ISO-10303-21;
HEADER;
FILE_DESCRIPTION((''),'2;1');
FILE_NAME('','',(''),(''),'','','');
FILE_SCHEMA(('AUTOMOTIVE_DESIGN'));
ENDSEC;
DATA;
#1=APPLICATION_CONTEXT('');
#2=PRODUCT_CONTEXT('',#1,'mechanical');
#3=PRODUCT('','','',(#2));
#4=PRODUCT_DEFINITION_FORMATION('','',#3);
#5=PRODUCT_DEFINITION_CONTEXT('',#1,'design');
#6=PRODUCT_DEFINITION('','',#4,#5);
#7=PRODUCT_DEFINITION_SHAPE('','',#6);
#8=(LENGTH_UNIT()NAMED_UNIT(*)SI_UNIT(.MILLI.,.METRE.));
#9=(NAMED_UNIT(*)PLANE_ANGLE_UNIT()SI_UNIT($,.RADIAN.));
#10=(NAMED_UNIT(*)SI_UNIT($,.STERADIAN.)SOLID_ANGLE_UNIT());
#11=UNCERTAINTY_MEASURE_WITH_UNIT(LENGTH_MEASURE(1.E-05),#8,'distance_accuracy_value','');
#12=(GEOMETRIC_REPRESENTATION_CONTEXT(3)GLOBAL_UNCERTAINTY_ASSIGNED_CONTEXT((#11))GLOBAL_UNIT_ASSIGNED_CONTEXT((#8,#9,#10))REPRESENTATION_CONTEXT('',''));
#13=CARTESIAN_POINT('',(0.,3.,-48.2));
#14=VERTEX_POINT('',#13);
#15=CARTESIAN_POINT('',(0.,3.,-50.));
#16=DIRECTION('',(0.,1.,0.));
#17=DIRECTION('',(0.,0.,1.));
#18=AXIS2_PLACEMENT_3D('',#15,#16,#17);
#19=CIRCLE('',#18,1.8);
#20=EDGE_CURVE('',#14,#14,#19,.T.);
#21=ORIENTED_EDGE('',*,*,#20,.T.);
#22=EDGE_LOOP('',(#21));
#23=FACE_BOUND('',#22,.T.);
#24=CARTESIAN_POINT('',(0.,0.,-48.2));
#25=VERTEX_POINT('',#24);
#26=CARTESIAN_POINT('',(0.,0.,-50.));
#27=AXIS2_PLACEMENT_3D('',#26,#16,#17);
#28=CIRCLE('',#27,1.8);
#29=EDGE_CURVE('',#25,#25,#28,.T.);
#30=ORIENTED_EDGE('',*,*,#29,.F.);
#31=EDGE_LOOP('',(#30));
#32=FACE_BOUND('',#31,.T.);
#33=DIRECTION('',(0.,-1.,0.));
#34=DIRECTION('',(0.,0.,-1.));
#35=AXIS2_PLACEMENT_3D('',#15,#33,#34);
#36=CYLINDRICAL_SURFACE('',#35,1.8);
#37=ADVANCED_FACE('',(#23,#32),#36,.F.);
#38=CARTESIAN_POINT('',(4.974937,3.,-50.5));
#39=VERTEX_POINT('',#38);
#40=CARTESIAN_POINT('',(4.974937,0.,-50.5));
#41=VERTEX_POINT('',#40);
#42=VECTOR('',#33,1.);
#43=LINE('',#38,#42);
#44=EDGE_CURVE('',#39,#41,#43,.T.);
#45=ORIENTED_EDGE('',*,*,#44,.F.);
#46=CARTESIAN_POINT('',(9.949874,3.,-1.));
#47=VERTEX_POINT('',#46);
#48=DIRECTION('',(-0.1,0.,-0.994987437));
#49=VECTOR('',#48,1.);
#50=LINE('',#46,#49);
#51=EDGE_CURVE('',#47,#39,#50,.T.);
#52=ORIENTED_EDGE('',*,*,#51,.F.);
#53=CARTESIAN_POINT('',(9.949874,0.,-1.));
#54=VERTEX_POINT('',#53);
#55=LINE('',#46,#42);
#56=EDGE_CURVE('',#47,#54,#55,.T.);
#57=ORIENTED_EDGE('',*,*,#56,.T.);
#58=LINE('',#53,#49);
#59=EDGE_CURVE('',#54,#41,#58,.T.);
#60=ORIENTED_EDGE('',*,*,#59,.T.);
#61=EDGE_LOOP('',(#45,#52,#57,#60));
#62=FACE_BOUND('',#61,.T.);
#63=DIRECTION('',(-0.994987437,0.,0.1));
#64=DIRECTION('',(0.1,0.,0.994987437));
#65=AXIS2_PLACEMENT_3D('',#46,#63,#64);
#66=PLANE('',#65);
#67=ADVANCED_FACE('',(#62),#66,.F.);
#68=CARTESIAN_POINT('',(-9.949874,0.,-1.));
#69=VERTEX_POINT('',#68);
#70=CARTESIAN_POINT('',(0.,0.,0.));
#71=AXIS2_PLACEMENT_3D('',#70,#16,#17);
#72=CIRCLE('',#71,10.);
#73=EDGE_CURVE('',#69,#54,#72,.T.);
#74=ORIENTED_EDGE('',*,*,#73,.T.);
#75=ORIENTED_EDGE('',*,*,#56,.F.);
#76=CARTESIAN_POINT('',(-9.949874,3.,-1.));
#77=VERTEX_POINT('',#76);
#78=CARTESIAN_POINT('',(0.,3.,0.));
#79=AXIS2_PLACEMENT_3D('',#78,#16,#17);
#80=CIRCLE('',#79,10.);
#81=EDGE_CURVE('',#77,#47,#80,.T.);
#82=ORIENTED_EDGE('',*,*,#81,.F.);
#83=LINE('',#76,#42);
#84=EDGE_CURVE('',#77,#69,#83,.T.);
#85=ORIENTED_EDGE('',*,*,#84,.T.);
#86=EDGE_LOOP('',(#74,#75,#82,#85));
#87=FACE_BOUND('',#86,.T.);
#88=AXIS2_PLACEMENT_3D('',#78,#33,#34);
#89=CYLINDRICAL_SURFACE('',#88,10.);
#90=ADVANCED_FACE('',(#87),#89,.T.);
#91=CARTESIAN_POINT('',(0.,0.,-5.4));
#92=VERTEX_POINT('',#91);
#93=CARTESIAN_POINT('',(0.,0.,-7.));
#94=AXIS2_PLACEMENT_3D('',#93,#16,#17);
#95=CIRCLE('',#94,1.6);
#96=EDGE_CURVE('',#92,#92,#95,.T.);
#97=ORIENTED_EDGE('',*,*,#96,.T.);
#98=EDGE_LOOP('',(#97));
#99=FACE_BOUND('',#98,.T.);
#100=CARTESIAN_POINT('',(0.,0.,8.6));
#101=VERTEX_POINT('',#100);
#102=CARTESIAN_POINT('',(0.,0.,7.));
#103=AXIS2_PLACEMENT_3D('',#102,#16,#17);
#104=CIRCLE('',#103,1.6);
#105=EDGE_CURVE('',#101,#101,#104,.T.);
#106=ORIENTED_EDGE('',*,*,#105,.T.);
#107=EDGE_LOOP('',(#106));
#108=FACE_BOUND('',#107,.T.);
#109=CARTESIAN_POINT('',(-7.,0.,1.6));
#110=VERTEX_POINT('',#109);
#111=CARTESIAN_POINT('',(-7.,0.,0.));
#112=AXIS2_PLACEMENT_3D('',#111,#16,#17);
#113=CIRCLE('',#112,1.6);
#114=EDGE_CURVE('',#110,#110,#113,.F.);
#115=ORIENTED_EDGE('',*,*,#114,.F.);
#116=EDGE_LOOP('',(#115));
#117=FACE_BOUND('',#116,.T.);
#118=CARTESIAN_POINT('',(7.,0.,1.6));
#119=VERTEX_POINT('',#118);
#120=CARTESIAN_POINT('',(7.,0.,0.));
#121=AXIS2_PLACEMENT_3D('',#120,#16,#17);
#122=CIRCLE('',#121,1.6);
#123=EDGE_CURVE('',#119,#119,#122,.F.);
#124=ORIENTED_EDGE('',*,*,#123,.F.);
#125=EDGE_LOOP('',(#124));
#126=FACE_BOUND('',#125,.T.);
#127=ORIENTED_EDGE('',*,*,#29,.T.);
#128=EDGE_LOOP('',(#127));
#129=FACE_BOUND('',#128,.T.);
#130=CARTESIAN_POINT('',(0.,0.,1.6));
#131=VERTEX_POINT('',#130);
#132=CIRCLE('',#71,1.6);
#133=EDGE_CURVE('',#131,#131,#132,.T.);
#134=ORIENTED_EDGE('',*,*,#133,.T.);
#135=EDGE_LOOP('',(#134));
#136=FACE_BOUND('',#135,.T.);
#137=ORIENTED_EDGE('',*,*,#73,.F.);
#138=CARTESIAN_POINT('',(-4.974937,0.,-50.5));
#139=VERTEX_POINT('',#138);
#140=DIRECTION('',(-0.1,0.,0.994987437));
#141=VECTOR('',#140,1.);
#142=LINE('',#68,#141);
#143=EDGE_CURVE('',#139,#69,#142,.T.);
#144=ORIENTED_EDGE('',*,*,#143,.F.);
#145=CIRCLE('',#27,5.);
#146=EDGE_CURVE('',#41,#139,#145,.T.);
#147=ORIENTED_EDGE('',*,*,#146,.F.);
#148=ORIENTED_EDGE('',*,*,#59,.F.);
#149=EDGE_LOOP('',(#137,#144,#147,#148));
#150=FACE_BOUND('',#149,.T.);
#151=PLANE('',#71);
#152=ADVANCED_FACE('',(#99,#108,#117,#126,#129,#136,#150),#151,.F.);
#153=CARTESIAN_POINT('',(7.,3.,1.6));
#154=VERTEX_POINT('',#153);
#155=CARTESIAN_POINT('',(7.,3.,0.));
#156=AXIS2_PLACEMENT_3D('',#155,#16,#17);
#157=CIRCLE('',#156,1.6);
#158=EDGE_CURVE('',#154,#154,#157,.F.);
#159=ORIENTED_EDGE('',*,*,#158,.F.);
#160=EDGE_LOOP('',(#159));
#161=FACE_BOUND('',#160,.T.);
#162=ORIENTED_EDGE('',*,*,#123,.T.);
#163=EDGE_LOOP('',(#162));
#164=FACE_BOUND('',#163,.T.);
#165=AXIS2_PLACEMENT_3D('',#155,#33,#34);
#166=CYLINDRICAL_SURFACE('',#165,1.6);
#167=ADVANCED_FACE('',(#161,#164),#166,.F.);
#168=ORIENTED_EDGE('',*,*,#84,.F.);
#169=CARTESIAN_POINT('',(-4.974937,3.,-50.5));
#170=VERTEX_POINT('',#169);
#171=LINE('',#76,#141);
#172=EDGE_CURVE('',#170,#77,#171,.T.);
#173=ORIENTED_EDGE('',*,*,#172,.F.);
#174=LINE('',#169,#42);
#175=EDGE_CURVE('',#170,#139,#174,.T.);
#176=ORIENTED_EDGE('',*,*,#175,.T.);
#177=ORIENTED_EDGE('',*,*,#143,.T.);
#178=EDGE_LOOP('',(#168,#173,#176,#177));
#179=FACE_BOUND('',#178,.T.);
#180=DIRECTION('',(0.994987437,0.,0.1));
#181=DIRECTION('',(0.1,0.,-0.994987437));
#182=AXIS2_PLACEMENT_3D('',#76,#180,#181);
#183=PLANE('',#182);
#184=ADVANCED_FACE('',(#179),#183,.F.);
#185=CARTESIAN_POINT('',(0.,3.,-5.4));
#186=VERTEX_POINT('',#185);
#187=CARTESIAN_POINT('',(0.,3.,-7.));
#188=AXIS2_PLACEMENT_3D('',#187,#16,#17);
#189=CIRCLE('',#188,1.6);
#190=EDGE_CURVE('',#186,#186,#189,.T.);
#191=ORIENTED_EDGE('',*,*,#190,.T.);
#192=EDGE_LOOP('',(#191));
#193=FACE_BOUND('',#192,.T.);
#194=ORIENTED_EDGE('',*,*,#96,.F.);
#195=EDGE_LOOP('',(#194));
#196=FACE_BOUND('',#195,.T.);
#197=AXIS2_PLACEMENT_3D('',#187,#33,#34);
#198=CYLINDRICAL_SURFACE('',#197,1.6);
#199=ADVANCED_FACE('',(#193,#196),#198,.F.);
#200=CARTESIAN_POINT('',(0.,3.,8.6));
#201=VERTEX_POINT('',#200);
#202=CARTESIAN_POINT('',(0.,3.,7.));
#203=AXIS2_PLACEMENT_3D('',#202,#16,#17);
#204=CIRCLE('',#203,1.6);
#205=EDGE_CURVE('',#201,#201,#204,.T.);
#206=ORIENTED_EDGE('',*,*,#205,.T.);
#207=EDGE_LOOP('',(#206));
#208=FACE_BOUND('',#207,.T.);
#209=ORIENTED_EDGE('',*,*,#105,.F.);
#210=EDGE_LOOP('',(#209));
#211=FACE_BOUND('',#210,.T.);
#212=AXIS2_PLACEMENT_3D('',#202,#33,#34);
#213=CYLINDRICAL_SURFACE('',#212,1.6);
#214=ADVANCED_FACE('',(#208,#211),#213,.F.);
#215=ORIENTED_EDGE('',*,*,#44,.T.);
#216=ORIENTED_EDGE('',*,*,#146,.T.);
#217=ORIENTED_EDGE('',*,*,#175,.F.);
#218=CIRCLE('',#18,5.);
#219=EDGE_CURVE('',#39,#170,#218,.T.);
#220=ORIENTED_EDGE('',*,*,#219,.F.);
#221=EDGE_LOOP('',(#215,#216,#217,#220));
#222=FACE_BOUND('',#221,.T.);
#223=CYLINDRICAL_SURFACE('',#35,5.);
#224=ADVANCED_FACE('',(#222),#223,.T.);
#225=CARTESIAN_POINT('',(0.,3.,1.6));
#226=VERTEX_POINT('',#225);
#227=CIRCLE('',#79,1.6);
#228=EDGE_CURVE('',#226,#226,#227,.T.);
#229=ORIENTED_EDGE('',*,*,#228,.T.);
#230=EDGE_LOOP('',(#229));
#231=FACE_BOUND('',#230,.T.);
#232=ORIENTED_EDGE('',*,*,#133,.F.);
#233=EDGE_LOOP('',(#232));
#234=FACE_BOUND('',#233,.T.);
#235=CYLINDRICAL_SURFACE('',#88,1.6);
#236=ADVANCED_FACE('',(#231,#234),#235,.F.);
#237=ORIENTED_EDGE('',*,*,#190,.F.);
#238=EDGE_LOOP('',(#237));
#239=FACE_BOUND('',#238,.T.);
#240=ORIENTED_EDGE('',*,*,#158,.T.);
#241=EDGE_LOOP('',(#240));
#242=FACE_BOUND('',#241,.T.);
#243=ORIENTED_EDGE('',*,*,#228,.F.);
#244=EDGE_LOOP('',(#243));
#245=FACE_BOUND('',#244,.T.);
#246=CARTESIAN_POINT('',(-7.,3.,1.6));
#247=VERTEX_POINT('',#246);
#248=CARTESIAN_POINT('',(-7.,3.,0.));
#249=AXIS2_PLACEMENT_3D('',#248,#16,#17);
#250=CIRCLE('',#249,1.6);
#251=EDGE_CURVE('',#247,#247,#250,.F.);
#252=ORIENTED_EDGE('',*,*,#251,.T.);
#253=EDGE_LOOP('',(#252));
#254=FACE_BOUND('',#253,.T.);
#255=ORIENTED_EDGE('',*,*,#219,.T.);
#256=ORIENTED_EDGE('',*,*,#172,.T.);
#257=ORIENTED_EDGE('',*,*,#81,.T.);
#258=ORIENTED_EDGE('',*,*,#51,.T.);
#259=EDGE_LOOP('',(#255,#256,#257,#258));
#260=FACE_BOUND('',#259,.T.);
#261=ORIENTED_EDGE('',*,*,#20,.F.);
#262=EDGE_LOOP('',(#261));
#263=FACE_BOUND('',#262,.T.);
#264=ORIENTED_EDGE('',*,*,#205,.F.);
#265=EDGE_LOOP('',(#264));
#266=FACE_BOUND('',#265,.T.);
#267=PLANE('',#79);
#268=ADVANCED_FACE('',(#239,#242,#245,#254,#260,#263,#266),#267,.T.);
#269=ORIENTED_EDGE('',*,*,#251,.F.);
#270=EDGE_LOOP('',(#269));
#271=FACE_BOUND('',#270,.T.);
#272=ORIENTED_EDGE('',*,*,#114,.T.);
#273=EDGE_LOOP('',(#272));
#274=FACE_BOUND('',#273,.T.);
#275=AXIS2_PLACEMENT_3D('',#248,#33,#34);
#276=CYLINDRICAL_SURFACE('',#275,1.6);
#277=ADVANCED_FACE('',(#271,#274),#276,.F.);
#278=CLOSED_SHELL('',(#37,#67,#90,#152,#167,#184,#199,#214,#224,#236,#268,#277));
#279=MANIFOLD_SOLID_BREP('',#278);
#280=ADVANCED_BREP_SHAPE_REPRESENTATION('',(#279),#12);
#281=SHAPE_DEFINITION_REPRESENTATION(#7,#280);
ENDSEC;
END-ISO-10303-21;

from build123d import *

# Parameters (mm, degrees)
SKETCH_1_R      = 5
SKETCH_1_R_2    = 1.8
SKETCH_1_R_3    = 10
SKETCH_1_R_4    = 1.6
EXTRUDE_1_DEPTH = 3


with BuildPart() as part:
    # 草图1 → 凸台-拉伸1 (new body)
    # profile 1 of 3: a face of its own
    with BuildSketch(Plane(origin=(0, 0, 0), x_dir=(1, 0, 0), z_dir=(0, 1, 0))):
        with Locations((0, 50)):
            Circle(SKETCH_1_R)
        with Locations(Location((0, 50, 0), (0, 0, 270))):
            Circle(SKETCH_1_R_2, mode=Mode.SUBTRACT)
    # profile 2 of 3: a face of its own
    with BuildSketch(Plane(origin=(0, 0, 0), x_dir=(1, 0, 0), z_dir=(0, 1, 0))):
        with BuildLine():
            ThreePointArc((5, 50), (-0.250313875, 45.006269634), (-4.974937186, 50.5))
            Line((-4.974937186, 50.5), (-9.949874371, 1))
            ThreePointArc((-9.949874371, 1), (0, 10), (9.949874371, 1))
            Line((9.949874371, 1), (4.974937186, 50.5))
            ThreePointArc((4.974937186, 50.5), (4.993730366, 50.250313875), (5, 50))
        make_face()
    # profile 3 of 3: a face of its own
    with BuildSketch(Plane(origin=(0, 0, 0), x_dir=(1, 0, 0), z_dir=(0, 1, 0))):
        Circle(SKETCH_1_R_3)
        with Locations(Location((7, 0, 0), (0, 0, 270))):
            Circle(SKETCH_1_R_4, mode=Mode.SUBTRACT)
        with Locations(Location((0, 7, 0), (0, 0, 270))):
            Circle(SKETCH_1_R_4, mode=Mode.SUBTRACT)
        with Locations(Location((0, 0, 0), (0, 0, 270))):
            Circle(SKETCH_1_R_4, mode=Mode.SUBTRACT)
        with Locations(Location((0, -7, 0), (0, 0, 270))):
            Circle(SKETCH_1_R_4, mode=Mode.SUBTRACT)
        with Locations(Location((-7, 0, 0), (0, 0, 270))):
            Circle(SKETCH_1_R_4, mode=Mode.SUBTRACT)
    extrude(amount=EXTRUDE_1_DEPTH)


solid = part.part
